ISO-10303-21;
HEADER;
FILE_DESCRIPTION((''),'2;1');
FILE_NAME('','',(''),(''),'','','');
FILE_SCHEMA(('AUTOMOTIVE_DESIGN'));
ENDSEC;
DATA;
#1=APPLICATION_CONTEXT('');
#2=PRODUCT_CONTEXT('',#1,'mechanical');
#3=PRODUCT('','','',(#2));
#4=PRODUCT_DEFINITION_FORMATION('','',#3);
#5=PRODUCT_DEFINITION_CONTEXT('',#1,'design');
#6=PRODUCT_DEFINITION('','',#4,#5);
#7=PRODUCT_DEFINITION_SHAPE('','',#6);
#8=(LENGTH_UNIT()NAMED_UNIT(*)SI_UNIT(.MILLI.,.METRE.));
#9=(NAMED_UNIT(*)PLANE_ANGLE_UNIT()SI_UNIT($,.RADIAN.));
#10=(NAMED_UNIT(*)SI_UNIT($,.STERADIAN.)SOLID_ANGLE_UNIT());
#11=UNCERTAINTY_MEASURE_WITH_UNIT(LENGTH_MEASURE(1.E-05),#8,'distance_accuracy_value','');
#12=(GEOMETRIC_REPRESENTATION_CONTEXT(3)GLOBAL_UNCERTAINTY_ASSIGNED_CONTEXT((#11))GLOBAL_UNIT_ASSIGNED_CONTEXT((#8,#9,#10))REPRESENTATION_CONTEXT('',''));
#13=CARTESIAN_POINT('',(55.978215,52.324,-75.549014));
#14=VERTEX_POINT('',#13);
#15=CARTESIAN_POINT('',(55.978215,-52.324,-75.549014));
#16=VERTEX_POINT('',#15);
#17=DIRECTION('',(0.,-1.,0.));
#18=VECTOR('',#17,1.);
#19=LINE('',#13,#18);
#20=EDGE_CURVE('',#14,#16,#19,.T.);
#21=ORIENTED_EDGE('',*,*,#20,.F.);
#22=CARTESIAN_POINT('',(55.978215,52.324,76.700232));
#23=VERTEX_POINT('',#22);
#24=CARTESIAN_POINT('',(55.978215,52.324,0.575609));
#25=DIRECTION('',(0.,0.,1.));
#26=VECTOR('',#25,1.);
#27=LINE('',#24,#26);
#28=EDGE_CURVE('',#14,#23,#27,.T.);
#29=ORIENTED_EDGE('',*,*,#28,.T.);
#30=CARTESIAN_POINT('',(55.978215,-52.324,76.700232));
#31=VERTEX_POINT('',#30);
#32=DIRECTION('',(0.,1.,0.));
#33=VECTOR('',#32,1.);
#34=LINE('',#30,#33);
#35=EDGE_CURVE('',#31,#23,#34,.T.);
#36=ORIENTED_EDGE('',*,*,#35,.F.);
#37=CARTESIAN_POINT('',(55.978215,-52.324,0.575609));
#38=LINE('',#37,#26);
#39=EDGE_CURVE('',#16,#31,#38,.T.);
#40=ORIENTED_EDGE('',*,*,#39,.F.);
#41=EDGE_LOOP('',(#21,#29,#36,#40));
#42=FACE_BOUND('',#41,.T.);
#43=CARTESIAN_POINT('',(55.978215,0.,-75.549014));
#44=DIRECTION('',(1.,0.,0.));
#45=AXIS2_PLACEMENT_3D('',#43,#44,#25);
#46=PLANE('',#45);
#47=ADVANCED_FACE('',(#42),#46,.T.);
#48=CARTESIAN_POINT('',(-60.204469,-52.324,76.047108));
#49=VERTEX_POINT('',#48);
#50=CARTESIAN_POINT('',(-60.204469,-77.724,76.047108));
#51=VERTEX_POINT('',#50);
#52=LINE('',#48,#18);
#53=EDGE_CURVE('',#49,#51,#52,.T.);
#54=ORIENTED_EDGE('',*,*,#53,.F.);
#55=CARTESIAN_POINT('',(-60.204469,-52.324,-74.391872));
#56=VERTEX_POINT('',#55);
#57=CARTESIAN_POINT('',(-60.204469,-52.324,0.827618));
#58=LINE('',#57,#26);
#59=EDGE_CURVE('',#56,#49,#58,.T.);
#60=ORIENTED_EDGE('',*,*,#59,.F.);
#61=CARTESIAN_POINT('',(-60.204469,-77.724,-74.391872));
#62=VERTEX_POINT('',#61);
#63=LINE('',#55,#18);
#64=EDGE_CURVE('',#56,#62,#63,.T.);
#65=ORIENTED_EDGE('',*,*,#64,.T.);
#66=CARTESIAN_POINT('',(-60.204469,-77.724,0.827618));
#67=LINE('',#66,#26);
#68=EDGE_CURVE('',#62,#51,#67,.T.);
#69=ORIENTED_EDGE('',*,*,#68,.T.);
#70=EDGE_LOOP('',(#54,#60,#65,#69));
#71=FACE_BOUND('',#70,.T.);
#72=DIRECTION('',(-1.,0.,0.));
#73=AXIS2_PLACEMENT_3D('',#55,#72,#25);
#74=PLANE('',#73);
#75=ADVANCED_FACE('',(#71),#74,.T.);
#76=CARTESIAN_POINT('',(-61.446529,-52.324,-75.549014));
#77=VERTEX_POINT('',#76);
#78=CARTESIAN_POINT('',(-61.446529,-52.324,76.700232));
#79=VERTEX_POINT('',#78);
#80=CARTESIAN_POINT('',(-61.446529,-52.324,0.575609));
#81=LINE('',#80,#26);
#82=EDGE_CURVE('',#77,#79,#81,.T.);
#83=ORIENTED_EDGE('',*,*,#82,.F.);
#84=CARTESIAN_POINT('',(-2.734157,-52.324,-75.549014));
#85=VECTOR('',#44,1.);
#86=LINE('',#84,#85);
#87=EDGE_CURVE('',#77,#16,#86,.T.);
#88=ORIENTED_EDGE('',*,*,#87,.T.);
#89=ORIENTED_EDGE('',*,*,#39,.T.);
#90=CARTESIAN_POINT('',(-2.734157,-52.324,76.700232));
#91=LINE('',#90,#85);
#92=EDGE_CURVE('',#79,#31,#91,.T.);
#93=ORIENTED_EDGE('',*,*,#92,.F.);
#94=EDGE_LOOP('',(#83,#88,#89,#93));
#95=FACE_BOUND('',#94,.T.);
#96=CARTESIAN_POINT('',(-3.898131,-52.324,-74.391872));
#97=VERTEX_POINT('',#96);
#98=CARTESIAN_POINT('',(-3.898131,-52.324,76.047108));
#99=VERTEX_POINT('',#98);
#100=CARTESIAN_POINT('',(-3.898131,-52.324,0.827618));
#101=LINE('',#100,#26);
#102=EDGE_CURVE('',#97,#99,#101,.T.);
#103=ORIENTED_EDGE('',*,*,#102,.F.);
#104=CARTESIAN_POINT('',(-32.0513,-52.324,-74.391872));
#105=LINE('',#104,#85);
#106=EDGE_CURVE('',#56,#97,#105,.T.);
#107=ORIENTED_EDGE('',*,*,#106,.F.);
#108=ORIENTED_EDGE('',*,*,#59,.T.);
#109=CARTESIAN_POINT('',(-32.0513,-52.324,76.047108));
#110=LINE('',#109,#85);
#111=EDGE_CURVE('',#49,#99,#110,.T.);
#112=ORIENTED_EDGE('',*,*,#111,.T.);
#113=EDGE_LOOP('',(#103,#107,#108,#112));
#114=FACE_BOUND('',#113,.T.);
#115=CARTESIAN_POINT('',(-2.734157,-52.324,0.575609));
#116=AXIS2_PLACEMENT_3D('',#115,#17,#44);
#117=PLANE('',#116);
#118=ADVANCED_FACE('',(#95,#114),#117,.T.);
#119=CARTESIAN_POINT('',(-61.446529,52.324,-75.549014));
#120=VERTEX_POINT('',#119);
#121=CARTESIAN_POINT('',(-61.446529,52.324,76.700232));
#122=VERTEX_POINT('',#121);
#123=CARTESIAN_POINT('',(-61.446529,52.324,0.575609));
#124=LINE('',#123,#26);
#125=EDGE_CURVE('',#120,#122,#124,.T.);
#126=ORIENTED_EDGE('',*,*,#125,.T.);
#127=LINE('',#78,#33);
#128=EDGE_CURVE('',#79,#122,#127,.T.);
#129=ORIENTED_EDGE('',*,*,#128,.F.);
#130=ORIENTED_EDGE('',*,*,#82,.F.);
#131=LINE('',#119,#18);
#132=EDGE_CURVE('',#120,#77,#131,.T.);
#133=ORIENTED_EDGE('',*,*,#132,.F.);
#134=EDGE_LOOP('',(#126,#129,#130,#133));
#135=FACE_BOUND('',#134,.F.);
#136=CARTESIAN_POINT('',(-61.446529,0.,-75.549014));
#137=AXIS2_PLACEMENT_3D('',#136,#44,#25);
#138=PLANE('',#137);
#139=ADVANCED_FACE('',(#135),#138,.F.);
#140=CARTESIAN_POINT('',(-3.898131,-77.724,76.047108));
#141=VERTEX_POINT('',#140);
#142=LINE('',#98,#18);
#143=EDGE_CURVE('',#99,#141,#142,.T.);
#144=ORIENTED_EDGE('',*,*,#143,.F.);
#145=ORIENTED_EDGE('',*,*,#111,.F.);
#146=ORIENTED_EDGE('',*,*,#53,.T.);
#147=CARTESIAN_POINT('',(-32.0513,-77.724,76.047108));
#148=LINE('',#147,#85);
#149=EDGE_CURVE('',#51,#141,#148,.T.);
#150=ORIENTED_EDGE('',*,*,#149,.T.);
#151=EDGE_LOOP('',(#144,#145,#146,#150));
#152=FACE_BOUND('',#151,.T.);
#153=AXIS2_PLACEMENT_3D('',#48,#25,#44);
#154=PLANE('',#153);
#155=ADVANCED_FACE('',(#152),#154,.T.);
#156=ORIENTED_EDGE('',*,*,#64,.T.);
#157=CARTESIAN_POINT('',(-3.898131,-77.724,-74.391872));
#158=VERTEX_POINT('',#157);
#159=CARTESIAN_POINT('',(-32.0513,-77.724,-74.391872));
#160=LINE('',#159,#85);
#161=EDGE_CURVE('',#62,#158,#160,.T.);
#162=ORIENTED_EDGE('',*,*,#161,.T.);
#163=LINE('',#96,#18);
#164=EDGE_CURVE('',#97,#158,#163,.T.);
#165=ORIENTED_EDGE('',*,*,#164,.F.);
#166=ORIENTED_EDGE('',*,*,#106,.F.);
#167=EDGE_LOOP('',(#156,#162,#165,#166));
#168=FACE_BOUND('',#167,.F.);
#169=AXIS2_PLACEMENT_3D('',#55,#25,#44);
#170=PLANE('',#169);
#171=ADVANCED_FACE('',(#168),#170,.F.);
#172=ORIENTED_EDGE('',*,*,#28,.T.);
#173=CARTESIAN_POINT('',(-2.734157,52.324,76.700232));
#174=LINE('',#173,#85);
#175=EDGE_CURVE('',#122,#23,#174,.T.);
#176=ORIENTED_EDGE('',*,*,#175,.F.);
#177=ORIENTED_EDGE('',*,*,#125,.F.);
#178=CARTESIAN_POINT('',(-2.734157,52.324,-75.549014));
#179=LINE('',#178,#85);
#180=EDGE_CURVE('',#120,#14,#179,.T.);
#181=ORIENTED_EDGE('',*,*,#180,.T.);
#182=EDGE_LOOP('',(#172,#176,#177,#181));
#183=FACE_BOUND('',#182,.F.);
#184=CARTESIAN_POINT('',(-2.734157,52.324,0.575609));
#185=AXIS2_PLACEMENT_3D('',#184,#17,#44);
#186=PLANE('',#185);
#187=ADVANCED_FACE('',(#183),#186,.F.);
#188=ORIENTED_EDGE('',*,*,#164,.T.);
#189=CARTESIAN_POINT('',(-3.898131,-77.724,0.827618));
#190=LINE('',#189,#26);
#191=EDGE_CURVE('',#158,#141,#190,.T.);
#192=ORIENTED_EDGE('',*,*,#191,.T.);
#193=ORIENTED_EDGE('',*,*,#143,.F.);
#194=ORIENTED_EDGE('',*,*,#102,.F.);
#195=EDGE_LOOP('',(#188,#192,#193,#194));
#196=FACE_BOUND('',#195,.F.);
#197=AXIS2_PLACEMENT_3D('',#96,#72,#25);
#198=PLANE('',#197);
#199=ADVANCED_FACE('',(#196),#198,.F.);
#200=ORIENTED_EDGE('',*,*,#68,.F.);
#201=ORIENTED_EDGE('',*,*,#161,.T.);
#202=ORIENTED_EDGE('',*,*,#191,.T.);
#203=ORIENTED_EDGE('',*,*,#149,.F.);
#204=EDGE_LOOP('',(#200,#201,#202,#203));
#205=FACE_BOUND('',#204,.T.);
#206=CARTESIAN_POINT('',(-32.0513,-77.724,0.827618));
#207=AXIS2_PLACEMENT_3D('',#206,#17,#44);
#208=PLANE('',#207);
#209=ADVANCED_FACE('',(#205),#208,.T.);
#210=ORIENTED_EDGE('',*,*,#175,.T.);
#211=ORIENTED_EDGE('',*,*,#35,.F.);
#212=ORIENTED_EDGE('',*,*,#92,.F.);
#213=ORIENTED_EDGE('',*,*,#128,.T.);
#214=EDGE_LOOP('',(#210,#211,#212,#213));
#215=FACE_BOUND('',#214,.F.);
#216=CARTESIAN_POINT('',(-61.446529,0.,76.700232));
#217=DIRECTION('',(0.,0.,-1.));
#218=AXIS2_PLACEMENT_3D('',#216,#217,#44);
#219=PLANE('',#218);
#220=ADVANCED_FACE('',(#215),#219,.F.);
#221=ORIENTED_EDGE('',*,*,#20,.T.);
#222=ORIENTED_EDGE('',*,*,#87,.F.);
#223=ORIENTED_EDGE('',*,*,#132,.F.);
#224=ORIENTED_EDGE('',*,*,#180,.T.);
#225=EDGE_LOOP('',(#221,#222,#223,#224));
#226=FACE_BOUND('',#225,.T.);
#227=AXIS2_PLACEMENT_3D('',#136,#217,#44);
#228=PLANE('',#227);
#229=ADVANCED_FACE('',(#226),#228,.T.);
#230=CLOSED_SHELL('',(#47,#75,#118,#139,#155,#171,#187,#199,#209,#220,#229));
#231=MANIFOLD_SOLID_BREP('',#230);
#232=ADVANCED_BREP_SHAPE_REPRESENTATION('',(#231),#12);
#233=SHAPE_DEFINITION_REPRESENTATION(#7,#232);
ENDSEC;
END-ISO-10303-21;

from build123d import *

# Parameters (mm, degrees)
F0_W     = 117.424745
F0_H     = 152.249247
F1_DEPTH = 52.324
F3_W     = 56.306338
F3_H     = 150.43898
F4_DEPTH = 25.4


with BuildPart() as f1:
    # F0 (on Front) → F1 (new body, symmetric)
    with BuildSketch(Plane.XZ):
        with Locations((-2.734157, 0.575609)):
            Rectangle(F0_W, F0_H)
    extrude(amount=F1_DEPTH, both=True)

    # F3 (on face) → F4 (join)
    with BuildSketch(Plane.XZ.offset(52.324)):
        with Locations((-32.0513, 0.827618)):
            Rectangle(F3_W, F3_H)
    extrude(amount=F4_DEPTH)


solid = f1.part
